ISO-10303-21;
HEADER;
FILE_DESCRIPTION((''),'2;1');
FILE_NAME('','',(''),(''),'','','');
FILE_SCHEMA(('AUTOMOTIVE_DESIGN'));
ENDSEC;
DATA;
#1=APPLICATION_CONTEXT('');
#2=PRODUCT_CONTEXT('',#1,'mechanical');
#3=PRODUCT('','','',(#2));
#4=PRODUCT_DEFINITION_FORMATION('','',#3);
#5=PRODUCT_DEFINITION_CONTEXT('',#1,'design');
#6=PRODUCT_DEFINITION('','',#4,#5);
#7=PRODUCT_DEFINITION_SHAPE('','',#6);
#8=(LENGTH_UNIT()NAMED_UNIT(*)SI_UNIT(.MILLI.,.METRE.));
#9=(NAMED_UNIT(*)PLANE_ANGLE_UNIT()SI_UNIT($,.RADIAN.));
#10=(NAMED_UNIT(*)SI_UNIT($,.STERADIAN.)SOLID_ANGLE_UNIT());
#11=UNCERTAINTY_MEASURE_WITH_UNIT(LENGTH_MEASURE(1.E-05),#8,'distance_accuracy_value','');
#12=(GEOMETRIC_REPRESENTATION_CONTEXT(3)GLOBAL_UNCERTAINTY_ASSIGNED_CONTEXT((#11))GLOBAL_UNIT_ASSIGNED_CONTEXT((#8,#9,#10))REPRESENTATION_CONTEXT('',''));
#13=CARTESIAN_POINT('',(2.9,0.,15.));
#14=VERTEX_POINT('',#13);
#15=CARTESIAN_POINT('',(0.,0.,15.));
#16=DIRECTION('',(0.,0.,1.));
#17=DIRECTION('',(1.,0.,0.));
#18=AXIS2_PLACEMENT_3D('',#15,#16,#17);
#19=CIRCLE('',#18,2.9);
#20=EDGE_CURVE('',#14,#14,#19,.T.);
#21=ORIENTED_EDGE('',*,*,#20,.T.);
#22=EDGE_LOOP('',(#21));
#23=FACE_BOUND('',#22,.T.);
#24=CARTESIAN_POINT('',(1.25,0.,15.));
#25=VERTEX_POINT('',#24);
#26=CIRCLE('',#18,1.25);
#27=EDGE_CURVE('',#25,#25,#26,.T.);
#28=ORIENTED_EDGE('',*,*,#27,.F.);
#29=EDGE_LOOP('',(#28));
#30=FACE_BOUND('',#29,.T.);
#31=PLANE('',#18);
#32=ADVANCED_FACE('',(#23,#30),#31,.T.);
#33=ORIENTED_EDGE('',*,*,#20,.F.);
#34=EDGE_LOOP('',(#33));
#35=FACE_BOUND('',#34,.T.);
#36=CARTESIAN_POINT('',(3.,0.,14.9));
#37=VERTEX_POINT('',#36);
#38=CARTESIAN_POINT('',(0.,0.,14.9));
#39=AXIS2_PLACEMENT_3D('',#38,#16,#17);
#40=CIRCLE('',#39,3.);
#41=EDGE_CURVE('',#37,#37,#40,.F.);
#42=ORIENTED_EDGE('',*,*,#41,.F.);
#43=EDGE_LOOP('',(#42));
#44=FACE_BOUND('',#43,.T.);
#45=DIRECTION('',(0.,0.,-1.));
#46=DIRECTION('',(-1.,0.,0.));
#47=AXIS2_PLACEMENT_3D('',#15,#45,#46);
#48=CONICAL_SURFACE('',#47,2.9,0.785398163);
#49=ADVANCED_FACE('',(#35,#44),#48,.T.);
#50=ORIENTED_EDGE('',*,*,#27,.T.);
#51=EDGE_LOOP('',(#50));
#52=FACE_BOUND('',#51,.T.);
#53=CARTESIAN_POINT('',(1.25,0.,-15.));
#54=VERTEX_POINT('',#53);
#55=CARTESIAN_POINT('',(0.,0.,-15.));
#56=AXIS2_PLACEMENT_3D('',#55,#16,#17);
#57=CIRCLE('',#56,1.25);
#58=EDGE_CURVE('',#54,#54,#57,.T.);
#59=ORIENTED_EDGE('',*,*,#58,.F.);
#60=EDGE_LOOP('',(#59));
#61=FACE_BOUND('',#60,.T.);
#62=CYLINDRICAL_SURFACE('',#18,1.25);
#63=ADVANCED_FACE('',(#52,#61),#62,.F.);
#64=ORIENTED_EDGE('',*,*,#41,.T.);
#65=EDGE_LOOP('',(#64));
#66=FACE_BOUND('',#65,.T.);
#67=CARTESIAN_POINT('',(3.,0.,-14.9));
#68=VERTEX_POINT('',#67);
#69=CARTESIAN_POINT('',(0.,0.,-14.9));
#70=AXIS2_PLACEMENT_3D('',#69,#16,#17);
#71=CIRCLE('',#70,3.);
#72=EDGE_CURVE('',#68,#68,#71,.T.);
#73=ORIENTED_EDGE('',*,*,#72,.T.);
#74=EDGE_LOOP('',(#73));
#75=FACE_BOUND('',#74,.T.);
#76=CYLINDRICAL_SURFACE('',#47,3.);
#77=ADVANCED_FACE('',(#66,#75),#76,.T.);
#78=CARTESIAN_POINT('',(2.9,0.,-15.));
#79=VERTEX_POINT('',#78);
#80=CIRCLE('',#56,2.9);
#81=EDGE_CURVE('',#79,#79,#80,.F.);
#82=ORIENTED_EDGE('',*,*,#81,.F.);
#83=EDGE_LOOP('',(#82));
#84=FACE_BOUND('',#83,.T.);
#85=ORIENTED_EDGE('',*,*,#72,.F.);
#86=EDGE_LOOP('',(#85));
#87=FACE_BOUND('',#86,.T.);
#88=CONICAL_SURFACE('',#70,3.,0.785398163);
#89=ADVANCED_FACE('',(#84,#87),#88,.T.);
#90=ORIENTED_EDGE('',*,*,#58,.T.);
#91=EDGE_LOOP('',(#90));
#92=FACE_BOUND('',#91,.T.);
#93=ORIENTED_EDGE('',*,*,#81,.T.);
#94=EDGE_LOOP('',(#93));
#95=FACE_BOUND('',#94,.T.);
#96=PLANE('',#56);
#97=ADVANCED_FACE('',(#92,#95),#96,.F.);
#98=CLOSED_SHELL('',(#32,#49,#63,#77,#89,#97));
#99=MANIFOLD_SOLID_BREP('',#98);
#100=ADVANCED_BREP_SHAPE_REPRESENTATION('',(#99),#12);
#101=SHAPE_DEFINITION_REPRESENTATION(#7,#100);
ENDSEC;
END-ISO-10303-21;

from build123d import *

# Parameters (mm, degrees)
SKETCH_1_R         = 3
EXTRUDE_1_DEPTH    = 15
CHAMFER_1_SIZE     = 0.1
HOLE_WIZARD_M3_1_D = 2.5


with BuildPart() as part:
    # 草图1 → 凸台-拉伸1 (new, symmetric)
    with BuildSketch(Plane.XY):
        Circle(SKETCH_1_R)
    extrude(amount=EXTRUDE_1_DEPTH, both=True)

    # 倒角1
    chamfer_1_edges = [part.edges().sort_by_distance(p)[0] for p in [
        (-3, 0, -15),
        (-3, 0, 15),
    ]]
    chamfer(chamfer_1_edges, length=CHAMFER_1_SIZE)

    # M3 螺纹孔1 (through all)
    with Locations(Plane.XY.offset(15)):
        with Locations((0, 0)):
            Hole(HOLE_WIZARD_M3_1_D / 2)


solid = part.part
